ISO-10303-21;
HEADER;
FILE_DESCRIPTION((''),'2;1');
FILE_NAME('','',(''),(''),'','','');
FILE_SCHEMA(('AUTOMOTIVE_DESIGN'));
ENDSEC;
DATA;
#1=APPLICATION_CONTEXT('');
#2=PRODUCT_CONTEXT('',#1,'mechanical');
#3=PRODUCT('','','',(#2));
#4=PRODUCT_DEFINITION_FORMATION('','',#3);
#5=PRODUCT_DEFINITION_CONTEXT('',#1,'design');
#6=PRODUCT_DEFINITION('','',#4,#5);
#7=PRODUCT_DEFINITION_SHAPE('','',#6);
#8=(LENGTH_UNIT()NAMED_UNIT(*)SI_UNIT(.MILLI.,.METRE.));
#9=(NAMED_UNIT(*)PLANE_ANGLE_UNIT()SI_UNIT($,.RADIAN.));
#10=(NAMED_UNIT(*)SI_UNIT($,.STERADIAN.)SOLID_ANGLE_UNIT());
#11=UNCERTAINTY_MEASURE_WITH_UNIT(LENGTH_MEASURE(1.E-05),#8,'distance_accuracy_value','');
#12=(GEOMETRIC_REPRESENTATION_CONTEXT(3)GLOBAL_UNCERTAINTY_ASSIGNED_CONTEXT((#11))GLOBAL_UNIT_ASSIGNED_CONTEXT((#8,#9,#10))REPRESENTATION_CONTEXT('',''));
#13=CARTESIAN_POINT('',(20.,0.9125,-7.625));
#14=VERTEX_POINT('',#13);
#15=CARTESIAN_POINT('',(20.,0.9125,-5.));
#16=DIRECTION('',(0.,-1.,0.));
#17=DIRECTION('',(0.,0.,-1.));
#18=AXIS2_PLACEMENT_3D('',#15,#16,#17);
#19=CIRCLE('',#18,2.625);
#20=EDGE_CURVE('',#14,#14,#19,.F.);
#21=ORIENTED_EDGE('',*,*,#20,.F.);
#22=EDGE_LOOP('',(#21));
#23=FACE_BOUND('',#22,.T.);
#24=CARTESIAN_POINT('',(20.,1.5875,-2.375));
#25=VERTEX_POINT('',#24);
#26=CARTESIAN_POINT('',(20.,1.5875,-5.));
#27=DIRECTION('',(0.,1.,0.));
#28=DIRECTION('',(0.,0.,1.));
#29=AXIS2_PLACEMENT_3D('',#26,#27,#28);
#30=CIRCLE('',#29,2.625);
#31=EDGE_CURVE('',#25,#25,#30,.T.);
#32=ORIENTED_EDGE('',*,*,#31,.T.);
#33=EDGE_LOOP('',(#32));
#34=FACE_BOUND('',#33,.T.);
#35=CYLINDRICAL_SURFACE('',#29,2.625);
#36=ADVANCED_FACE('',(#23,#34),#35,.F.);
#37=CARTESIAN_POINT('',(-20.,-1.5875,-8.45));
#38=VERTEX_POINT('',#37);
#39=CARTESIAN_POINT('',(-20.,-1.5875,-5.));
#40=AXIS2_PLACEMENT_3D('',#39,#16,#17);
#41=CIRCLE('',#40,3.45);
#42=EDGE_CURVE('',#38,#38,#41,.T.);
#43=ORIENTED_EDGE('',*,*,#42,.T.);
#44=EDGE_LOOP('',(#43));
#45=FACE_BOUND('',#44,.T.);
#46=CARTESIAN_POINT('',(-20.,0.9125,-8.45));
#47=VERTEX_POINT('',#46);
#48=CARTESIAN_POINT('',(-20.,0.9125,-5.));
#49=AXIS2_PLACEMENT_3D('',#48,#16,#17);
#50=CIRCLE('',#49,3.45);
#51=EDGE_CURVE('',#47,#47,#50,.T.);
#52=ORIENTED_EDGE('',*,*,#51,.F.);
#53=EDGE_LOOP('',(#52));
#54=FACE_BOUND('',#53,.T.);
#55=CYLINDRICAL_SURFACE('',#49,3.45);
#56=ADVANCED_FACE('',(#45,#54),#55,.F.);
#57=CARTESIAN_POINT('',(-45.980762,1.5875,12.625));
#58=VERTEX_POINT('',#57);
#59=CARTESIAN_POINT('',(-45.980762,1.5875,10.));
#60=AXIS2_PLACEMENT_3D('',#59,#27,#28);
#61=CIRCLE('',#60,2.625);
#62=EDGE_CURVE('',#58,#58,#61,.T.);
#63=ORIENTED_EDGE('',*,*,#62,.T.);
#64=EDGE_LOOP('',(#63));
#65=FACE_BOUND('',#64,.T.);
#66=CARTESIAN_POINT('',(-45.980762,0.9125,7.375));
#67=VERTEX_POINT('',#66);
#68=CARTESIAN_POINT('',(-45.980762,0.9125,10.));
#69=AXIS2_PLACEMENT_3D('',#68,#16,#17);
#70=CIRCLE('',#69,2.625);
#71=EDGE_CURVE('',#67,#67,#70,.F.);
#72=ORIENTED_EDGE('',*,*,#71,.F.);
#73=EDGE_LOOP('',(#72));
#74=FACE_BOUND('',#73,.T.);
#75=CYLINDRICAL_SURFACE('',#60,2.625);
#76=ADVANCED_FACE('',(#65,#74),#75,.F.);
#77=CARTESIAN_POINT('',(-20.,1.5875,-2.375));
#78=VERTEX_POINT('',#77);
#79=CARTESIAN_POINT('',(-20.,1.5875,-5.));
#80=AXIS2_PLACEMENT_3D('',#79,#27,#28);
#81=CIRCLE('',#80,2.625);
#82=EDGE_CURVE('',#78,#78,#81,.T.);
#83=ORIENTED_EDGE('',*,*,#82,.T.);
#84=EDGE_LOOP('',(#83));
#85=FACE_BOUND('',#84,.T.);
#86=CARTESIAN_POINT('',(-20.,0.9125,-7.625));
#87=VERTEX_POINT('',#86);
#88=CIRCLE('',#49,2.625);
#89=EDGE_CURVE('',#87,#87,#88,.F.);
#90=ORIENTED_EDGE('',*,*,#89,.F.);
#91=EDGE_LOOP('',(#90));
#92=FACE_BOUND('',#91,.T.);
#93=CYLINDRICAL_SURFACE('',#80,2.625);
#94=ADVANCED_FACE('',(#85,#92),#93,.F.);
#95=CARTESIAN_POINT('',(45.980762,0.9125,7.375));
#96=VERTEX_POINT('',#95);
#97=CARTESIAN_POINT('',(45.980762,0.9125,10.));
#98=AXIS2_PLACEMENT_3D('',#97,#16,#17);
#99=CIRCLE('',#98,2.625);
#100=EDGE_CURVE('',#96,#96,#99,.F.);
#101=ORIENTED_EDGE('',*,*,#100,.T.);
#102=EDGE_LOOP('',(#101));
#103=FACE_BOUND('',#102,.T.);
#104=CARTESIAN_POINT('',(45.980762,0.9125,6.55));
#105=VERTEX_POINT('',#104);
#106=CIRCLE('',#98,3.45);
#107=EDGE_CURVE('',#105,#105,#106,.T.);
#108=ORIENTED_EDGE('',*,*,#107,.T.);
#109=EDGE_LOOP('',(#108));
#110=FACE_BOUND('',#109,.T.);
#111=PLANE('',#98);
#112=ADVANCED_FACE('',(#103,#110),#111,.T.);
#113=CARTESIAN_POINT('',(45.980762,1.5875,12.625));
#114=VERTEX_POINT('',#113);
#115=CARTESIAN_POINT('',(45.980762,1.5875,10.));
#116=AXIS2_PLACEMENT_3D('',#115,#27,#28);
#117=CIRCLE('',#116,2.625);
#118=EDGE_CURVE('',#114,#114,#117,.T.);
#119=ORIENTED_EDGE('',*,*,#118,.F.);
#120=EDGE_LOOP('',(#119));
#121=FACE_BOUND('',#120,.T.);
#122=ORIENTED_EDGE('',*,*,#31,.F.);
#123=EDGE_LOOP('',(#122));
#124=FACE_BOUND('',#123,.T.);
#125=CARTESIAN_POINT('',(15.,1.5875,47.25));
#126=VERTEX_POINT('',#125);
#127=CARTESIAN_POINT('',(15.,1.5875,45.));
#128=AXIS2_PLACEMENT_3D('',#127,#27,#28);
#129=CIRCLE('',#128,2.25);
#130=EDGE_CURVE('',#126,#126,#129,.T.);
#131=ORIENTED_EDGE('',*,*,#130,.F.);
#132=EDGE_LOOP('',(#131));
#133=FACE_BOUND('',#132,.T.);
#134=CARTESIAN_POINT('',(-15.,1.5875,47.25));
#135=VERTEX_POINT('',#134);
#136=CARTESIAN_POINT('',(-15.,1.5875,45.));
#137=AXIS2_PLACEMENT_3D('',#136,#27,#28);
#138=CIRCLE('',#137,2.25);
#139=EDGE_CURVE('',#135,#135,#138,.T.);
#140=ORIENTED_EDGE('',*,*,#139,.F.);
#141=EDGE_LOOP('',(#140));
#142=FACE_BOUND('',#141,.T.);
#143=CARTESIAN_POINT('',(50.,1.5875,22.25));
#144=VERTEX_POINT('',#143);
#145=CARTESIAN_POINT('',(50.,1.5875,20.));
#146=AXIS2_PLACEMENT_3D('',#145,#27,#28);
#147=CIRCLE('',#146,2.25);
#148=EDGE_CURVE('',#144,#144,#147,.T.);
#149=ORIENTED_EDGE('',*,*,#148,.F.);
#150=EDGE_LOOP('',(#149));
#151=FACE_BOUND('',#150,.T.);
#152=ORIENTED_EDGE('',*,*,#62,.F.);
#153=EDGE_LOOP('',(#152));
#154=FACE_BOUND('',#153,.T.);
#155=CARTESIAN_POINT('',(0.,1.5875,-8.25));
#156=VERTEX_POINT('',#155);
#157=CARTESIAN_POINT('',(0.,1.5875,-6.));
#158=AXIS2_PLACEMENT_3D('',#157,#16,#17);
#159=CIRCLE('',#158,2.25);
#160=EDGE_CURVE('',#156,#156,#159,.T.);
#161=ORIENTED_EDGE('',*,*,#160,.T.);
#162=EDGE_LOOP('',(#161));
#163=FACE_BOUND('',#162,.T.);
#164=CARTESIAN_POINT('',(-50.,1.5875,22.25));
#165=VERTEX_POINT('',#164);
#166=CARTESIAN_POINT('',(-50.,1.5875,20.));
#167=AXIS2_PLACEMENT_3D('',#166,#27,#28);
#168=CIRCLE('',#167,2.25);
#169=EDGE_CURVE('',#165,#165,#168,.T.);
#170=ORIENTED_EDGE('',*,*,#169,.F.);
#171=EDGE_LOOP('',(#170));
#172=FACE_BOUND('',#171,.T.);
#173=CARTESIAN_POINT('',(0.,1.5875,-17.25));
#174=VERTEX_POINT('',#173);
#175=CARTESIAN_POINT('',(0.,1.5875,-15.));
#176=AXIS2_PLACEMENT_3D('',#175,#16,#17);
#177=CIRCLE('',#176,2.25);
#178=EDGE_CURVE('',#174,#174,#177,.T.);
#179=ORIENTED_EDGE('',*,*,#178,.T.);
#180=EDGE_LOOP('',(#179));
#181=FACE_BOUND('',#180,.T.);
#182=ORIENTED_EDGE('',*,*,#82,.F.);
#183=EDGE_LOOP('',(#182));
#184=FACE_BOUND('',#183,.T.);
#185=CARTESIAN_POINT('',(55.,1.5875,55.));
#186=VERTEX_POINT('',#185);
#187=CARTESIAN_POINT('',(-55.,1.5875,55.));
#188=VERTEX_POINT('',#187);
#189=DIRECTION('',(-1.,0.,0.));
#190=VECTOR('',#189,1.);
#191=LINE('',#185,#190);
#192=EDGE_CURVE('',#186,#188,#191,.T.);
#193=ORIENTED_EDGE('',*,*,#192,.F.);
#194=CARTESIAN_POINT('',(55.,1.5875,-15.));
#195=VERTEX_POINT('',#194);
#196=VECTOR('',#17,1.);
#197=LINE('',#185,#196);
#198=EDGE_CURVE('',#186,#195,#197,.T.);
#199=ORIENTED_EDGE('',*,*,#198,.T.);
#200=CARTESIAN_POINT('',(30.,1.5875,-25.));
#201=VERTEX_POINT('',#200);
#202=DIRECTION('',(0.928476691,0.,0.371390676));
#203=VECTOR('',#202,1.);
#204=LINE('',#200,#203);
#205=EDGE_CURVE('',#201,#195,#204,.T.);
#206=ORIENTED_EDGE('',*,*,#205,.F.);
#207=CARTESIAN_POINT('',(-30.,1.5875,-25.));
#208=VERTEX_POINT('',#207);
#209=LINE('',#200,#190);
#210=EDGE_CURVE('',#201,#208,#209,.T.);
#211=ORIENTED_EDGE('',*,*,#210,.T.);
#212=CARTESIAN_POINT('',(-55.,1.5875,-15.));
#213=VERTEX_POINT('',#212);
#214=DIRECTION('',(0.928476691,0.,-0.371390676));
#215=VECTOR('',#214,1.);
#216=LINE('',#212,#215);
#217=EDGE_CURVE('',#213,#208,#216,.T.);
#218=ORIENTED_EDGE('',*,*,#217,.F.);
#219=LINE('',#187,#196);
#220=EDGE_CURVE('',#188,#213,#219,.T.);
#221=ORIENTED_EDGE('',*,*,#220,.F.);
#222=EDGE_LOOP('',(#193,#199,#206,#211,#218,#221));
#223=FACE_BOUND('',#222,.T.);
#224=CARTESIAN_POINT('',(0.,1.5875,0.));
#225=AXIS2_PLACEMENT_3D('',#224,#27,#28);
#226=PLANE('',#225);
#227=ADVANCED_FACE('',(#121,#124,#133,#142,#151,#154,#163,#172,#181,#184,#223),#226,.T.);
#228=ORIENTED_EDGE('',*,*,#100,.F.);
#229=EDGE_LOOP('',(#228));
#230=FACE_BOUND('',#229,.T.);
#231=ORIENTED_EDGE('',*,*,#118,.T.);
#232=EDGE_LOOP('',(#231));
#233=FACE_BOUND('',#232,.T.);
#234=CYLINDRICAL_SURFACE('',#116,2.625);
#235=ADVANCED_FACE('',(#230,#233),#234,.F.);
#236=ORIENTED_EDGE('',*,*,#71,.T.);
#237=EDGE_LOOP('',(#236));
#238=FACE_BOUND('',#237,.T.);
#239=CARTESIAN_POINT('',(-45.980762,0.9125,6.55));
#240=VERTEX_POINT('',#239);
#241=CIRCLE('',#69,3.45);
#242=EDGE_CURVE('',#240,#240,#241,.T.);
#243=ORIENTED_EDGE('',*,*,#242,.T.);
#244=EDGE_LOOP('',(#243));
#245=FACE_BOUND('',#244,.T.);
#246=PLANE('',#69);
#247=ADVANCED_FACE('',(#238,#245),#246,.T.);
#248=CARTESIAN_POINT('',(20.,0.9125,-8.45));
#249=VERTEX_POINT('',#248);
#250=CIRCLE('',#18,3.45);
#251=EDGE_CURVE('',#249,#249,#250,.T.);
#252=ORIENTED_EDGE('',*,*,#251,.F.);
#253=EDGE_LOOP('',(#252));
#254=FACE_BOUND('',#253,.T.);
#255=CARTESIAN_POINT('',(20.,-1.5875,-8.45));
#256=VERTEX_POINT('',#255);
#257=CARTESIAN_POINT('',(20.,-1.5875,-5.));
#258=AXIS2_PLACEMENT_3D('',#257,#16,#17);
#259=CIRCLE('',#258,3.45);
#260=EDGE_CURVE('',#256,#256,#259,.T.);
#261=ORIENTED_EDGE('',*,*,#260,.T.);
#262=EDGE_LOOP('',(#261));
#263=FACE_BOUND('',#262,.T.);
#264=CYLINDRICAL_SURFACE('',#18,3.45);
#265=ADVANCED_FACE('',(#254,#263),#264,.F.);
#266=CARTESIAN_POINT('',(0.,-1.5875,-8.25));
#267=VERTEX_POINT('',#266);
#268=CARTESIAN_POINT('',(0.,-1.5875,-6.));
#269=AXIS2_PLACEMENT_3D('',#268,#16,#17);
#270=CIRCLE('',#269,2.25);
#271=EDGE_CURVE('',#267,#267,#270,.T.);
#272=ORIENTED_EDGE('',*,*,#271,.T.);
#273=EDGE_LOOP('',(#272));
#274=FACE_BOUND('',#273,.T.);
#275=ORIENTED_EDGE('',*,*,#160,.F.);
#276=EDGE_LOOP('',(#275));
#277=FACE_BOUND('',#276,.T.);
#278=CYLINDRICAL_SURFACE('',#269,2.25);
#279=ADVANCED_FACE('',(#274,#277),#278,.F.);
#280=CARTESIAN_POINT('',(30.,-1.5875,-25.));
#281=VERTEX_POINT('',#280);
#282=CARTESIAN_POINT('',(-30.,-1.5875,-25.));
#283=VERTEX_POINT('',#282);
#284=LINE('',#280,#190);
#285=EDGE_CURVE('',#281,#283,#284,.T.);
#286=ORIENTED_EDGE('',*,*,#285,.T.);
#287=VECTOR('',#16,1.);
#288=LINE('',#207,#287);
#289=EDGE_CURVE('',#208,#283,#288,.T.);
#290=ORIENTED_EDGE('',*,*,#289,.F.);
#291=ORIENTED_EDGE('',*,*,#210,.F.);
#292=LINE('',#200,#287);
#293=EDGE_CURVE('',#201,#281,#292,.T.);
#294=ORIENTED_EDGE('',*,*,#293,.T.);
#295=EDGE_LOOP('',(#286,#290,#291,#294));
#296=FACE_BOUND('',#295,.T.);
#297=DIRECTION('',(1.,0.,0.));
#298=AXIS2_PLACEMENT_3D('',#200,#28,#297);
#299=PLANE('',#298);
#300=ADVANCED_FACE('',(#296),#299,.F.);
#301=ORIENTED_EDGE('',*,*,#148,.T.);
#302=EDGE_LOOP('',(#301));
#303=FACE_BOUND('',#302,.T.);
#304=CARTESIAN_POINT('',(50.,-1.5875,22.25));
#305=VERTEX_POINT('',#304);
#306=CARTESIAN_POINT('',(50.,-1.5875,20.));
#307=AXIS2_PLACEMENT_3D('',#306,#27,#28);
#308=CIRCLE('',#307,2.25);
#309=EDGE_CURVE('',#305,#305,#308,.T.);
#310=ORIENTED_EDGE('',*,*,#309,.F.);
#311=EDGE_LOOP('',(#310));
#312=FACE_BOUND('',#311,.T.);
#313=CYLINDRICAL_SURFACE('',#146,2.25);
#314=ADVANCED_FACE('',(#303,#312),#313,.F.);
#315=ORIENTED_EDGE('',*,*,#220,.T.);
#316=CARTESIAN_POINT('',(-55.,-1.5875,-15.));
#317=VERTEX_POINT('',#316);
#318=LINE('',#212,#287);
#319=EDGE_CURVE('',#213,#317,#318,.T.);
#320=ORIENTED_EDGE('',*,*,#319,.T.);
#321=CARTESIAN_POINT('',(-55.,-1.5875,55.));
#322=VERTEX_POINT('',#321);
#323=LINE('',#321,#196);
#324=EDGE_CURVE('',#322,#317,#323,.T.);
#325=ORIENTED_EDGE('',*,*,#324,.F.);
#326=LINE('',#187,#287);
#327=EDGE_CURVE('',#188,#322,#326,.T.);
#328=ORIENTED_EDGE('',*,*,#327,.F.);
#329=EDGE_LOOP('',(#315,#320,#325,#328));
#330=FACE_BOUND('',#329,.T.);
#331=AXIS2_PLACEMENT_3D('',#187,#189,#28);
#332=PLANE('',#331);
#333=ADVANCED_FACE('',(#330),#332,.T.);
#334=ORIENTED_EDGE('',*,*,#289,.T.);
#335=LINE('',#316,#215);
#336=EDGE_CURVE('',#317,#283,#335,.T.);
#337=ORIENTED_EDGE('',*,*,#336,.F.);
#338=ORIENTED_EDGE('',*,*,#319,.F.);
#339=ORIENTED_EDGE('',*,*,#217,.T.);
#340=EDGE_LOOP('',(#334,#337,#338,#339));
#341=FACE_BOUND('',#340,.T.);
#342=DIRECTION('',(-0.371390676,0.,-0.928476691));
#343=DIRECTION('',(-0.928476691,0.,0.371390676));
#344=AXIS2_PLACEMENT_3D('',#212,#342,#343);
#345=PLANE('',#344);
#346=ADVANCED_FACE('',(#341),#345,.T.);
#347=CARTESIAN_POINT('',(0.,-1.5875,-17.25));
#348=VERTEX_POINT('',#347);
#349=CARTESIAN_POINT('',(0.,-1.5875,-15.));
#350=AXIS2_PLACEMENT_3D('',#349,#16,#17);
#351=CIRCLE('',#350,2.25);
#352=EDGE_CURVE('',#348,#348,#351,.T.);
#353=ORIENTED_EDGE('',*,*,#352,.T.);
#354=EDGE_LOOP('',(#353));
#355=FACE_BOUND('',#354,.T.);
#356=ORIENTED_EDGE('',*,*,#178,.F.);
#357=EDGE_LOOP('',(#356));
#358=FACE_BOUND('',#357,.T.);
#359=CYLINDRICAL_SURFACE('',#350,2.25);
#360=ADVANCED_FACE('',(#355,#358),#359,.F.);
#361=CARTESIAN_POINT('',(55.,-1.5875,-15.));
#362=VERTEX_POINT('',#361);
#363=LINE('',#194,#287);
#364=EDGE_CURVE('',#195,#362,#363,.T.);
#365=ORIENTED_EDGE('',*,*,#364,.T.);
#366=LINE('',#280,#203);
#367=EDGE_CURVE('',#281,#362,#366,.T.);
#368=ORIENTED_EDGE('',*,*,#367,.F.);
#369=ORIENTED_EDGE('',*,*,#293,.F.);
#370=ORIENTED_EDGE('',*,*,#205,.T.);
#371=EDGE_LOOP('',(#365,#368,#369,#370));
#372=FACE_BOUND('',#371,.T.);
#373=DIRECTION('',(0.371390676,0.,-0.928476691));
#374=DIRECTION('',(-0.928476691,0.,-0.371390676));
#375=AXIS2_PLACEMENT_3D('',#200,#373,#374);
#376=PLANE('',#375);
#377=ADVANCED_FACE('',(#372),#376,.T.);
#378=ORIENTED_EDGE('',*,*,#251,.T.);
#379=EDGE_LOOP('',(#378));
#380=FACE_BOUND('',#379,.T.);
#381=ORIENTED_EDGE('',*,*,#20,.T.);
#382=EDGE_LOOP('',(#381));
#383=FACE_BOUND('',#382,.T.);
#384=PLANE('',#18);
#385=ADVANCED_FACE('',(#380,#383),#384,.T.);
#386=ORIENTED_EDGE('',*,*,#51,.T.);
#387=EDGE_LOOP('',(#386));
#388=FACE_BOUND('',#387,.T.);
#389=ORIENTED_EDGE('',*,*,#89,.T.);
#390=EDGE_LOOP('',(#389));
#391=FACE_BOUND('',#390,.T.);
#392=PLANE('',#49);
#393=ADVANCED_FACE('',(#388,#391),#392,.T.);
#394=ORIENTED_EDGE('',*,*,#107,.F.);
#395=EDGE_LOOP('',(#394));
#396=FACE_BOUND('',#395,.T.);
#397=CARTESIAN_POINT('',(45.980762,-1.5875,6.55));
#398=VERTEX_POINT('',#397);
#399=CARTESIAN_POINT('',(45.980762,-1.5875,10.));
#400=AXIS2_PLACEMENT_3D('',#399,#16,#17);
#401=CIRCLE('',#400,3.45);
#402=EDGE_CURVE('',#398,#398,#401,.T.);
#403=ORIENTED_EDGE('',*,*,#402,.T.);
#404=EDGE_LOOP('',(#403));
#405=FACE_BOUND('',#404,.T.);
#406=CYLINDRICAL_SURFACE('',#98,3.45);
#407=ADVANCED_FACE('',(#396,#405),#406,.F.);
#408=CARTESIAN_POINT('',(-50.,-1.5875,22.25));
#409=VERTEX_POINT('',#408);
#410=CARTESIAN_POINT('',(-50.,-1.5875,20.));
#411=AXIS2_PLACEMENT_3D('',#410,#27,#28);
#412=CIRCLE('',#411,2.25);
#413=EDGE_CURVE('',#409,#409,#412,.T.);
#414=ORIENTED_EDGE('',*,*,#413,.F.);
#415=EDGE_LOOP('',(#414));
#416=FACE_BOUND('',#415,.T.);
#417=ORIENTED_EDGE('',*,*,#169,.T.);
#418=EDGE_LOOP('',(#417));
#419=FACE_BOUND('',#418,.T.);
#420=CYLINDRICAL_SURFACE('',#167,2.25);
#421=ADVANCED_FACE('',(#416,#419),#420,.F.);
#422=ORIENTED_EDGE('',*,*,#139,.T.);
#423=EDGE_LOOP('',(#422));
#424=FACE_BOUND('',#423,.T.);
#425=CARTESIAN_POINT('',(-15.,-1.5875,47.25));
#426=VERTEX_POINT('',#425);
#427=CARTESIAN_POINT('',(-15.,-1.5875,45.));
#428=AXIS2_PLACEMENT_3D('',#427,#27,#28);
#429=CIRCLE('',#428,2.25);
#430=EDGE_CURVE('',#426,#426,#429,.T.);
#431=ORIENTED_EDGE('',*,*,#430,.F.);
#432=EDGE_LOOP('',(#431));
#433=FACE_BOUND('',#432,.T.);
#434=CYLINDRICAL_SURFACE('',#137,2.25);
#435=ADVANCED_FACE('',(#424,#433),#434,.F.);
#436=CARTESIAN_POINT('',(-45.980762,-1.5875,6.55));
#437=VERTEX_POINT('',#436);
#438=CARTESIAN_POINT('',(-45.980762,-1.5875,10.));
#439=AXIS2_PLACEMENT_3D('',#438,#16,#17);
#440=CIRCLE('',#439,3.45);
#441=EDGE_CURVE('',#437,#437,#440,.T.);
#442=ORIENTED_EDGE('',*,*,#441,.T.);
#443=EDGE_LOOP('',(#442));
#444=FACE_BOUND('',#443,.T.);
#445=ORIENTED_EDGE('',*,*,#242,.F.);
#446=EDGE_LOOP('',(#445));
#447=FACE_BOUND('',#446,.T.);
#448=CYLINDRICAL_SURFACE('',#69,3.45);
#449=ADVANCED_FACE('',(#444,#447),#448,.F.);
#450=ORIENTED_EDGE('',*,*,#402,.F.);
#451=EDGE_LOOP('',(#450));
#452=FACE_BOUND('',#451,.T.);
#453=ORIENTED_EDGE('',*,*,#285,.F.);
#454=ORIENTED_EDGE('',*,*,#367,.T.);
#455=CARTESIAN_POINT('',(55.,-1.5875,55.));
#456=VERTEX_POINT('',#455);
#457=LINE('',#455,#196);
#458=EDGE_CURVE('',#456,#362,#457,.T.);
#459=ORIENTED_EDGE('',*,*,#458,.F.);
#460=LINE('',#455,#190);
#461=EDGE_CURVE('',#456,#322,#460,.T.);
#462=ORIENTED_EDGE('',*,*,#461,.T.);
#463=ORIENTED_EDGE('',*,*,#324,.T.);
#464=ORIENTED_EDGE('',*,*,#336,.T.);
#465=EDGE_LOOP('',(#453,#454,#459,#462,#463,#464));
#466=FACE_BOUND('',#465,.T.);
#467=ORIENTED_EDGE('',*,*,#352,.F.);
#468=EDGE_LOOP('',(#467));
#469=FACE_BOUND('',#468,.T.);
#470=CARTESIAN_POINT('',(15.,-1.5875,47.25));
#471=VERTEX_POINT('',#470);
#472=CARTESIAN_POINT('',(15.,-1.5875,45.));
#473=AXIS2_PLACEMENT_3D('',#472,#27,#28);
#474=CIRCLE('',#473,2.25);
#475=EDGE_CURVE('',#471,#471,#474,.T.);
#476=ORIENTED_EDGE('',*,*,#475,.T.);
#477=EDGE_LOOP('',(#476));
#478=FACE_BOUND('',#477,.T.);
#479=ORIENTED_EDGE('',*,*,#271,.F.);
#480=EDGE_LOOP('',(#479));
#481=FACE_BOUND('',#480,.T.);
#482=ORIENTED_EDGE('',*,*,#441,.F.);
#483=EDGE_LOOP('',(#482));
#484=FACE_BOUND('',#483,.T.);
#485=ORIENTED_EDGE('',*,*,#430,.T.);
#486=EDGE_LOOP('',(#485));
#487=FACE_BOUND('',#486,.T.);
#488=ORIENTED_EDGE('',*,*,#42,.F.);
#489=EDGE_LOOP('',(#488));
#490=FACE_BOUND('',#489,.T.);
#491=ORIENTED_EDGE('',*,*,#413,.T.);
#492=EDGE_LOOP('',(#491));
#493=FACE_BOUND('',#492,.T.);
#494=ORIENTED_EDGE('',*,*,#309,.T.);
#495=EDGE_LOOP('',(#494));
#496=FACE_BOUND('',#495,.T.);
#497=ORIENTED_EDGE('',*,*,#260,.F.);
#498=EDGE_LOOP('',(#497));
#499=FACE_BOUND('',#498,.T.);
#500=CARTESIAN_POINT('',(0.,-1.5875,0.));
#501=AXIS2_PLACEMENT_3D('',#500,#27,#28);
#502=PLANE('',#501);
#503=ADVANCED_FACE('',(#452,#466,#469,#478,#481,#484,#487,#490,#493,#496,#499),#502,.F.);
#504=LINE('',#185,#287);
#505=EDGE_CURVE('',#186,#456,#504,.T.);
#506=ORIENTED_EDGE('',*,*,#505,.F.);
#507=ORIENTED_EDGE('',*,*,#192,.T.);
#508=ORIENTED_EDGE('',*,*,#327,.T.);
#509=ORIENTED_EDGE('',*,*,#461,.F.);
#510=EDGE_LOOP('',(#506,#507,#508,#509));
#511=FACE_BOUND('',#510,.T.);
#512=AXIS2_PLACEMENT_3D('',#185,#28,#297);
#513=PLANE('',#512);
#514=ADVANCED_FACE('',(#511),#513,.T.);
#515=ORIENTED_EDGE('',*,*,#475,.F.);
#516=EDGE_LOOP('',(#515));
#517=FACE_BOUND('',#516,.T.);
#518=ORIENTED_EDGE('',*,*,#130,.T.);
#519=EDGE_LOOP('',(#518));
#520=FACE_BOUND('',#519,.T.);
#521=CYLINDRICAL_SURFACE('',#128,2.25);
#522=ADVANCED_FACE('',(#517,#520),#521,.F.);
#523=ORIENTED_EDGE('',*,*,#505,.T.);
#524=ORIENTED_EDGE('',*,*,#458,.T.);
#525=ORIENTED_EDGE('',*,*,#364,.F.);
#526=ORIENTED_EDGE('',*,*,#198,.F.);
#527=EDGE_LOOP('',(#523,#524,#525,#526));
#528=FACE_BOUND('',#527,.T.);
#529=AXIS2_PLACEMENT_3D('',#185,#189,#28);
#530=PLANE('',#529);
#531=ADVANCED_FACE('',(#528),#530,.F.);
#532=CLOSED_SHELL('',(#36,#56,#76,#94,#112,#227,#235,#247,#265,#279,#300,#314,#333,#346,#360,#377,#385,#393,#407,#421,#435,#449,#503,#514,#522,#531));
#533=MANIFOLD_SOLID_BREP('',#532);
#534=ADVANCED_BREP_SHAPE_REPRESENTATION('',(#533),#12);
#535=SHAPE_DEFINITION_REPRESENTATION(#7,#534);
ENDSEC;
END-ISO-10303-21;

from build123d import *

# Parameters (mm, degrees)
BOSS_EXTRUDE1_DEPTH   = 1.5875
F_1_0MM_DOWEL_HOLE1_D = 5.25
SKETCH6_R             = 3.45
CUT_EXTRUDE2_DEPTH    = 2.5
M4_CLEARANCE_HOLE1_D  = 4.5
M4_CLEARANCE_HOLE2_D  = 4.5
M4_CLEARANCE_HOLE3_D  = 4.5


with BuildPart() as part:
    # Sketch1 → Boss-Extrude1 (new body, symmetric)
    with BuildSketch(Plane(origin=(0, 0, 0), x_dir=(1, 0, 0), z_dir=(0, 1, 0))):
        Polygon((-55, 15), (-30, 25), (30, 25), (55, 15), (55, -55), (-55, -55), align=None)
    extrude(amount=BOSS_EXTRUDE1_DEPTH, both=True)

    # Ø1.0mm Dowel Hole1 (through all)
    with Locations(Plane(origin=(0, 1.5875, 0), x_dir=(1, 0, 0), z_dir=(0, 1, 0))):
        with Locations((-20, 5), (20, 5), (45.980762114, -10), (-45.980762114, -10)):
            Hole(F_1_0MM_DOWEL_HOLE1_D / 2)

    # Sketch6 → Cut-Extrude2 (cut)
    with BuildSketch(Plane.XZ.offset(1.5875)):
        with Locations((-45.980762114, 10)):
            Circle(SKETCH6_R)
        with Locations((-20, -5)):
            Circle(SKETCH6_R)
        with Locations((20, -5)):
            Circle(SKETCH6_R)
        with Locations((45.980762114, 10)):
            Circle(SKETCH6_R)
    extrude(amount=-CUT_EXTRUDE2_DEPTH, mode=Mode.SUBTRACT)

    # M4 Clearance Hole1 (through all)
    with Locations(Plane(origin=(0, -1.5875, 0), x_dir=(-1, 0, 0), z_dir=(0, -1, 0))):
        with Locations((0, 15), (0, 6)):
            Hole(M4_CLEARANCE_HOLE1_D / 2)

    # M4 Clearance Hole2 (through all)
    with Locations(Plane(origin=(0, 1.5875, 0), x_dir=(1, 0, 0), z_dir=(0, 1, 0))):
        with Locations((-15, -45), (15, -45)):
            Hole(M4_CLEARANCE_HOLE2_D / 2)

    # M4 Clearance Hole3 (through all)
    with Locations(Plane(origin=(0, 1.5875, 0), x_dir=(1, 0, 0), z_dir=(0, 1, 0))):
        with Locations((-50, -20), (50, -20)):
            Hole(M4_CLEARANCE_HOLE3_D / 2)


solid = part.part
